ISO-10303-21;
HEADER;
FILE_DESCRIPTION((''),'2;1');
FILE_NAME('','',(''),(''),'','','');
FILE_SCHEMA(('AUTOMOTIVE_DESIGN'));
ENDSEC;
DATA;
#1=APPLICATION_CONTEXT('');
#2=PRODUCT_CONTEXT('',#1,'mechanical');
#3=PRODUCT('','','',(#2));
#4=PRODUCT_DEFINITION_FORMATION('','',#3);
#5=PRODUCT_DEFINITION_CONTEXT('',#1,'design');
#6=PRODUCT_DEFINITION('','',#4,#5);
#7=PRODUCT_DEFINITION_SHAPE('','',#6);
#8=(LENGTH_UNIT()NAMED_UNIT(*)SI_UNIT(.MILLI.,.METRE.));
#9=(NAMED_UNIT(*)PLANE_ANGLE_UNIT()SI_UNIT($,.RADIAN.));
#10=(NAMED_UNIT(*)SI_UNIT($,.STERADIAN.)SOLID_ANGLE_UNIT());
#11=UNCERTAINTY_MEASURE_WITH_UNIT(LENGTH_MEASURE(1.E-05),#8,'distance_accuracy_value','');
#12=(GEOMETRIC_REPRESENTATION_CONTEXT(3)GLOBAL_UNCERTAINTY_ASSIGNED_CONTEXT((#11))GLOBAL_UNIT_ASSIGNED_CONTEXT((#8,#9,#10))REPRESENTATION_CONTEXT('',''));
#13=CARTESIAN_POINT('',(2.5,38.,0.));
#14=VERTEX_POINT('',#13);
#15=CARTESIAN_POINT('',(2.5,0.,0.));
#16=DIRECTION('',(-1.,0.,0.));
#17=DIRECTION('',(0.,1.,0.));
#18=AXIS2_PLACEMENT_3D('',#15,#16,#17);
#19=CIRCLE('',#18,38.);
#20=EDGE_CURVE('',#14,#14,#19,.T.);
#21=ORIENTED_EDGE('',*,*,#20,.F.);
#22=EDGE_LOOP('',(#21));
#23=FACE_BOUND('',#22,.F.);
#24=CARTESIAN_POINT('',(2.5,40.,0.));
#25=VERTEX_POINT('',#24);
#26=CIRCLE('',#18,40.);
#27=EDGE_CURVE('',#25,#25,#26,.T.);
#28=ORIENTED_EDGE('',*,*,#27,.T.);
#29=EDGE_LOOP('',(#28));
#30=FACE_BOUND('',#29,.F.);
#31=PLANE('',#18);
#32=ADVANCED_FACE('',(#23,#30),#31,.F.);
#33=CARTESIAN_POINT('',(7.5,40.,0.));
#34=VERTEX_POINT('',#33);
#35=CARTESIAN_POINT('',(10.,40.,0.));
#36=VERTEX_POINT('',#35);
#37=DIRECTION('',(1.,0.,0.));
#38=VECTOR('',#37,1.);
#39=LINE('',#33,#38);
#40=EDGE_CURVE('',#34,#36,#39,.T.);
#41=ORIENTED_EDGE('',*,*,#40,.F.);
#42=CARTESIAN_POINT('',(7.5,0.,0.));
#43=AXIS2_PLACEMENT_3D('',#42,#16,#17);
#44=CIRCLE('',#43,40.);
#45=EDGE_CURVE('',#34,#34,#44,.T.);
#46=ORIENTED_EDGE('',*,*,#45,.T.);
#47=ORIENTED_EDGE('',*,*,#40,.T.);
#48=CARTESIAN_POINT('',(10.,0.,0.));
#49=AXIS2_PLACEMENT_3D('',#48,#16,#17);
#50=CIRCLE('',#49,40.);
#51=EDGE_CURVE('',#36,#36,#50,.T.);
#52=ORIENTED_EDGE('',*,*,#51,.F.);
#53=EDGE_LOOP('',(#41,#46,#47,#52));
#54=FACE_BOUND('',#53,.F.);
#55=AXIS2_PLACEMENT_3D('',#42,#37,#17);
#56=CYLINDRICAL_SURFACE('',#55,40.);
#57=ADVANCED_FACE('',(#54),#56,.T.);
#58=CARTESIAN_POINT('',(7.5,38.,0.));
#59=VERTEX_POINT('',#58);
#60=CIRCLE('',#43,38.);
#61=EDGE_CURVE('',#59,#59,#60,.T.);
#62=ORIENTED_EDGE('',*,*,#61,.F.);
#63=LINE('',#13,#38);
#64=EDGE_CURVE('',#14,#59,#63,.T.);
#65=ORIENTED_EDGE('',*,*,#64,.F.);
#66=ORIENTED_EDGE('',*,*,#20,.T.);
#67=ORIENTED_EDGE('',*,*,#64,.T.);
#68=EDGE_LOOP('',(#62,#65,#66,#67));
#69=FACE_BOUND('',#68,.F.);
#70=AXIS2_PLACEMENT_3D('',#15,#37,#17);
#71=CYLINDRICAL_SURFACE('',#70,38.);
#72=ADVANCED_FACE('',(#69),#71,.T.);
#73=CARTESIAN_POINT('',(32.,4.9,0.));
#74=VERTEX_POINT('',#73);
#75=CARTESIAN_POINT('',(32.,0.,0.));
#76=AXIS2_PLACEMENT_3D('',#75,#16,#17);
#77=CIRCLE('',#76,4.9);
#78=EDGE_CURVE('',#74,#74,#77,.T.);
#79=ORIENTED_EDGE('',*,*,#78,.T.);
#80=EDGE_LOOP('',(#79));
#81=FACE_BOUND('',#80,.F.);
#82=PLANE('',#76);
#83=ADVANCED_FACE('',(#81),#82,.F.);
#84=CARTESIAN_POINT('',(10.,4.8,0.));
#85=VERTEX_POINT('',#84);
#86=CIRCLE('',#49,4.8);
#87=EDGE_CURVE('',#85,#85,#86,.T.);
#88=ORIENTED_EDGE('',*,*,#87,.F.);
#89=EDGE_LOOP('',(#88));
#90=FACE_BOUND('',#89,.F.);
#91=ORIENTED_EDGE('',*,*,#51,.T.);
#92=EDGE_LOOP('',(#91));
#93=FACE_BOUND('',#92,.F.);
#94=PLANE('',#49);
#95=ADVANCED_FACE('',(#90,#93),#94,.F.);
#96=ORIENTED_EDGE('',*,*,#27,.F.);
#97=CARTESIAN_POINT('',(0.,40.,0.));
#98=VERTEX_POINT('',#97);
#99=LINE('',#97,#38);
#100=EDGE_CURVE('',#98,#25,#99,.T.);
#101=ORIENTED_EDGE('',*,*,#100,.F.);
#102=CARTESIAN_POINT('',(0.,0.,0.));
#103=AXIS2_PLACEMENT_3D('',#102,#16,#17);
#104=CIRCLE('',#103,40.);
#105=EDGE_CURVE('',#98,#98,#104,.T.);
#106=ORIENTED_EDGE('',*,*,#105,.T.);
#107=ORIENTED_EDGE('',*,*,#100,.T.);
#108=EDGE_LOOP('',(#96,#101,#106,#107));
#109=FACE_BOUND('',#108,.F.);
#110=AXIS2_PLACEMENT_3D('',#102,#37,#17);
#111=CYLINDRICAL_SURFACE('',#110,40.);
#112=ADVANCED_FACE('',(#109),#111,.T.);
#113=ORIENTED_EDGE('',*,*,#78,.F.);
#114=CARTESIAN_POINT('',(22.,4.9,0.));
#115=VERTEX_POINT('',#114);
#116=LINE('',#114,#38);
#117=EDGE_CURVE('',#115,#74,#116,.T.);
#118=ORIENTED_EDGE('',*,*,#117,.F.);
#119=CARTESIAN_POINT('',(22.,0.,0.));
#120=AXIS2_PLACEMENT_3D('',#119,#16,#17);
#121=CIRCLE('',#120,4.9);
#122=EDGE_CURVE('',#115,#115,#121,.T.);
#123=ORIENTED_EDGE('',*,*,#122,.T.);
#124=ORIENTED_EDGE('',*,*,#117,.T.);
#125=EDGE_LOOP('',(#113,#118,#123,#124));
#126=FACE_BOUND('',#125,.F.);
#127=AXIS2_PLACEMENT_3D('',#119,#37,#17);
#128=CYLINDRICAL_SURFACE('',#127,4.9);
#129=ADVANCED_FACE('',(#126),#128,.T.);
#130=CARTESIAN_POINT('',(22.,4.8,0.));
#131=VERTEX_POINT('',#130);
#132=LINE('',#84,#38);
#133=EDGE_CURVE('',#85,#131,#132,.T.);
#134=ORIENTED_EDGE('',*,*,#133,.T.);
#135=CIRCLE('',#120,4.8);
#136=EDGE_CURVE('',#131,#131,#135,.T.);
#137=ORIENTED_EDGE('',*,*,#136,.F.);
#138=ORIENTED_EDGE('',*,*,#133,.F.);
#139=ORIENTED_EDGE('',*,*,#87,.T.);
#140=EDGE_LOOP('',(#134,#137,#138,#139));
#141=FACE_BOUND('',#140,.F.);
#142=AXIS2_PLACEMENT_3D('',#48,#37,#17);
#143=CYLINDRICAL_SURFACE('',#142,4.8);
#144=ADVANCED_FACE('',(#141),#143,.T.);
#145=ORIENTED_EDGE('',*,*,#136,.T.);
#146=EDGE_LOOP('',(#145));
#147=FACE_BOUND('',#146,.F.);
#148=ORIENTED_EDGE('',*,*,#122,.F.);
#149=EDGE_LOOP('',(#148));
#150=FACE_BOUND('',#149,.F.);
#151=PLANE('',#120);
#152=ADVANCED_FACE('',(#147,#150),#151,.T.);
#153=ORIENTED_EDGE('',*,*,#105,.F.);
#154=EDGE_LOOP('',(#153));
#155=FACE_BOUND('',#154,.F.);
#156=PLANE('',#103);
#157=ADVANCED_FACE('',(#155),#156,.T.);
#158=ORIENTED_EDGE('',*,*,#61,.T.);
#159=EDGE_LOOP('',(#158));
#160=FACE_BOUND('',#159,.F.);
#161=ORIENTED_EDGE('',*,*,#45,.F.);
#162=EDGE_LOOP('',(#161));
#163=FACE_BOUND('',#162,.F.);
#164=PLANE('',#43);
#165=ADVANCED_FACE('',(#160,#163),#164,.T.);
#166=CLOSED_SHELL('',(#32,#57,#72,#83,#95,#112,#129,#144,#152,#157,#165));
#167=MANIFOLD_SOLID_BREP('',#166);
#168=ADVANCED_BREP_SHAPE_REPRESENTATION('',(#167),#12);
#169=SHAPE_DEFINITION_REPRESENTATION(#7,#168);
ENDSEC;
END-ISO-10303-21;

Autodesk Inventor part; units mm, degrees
ref_plane "YZ Plane" through (0, 0, 0) normal (1, 0, 0) x (0, 1, 0)
ref_plane "XZ Plane" through (0, 0, 0) normal (0, 1, 0) x (-1, 0, 0)
ref_plane "XY Plane" through (0, 0, 0) normal (0, 0, 1) x (1, 0, 0)
sketch "Sketch1" plane through (0, 0, 0) normal (0, 0, 1) x (1, 0, 0)
  line L0 (0, 0) -> (0, 40)
  line L1 (0, 40) -> (2.5, 40)
  line L2 (2.5, 40) -> (2.5, 38)
  line L3 (2.5, 38) -> (7.5, 38)
  line L4 (7.5, 38) -> (7.5, 40)
  line L5 (7.5, 40) -> (10, 40)
  line L6 (10, 40) -> (10, 4.8)
  line L7 (10, 4.8) -> (22, 4.8)
  line L8 (22, 4.8) -> (22, 4.9)
  line L9 (22, 4.9) -> (32, 4.9)
  line L10 (32, 4.9) -> (32, 0)
  line L11 (32, 0) -> (0, 0)
  dimension "d0" = 40
  dimension "d1" = 2.5
  dimension "d2" = 2
  dimension "d3" = 5
  dimension "d4" = 2.5
  dimension "d6" = 12
  dimension "d7" = 0.1
  dimension "d8" = 10
  dimension "d11" = 9.8
revolve "Revolution1" add sketch "Sketch1" angle 360 about axis through (32, 0, 0) along (-1, 0, 0)
properties part number "SpoolWinderDriver2"
